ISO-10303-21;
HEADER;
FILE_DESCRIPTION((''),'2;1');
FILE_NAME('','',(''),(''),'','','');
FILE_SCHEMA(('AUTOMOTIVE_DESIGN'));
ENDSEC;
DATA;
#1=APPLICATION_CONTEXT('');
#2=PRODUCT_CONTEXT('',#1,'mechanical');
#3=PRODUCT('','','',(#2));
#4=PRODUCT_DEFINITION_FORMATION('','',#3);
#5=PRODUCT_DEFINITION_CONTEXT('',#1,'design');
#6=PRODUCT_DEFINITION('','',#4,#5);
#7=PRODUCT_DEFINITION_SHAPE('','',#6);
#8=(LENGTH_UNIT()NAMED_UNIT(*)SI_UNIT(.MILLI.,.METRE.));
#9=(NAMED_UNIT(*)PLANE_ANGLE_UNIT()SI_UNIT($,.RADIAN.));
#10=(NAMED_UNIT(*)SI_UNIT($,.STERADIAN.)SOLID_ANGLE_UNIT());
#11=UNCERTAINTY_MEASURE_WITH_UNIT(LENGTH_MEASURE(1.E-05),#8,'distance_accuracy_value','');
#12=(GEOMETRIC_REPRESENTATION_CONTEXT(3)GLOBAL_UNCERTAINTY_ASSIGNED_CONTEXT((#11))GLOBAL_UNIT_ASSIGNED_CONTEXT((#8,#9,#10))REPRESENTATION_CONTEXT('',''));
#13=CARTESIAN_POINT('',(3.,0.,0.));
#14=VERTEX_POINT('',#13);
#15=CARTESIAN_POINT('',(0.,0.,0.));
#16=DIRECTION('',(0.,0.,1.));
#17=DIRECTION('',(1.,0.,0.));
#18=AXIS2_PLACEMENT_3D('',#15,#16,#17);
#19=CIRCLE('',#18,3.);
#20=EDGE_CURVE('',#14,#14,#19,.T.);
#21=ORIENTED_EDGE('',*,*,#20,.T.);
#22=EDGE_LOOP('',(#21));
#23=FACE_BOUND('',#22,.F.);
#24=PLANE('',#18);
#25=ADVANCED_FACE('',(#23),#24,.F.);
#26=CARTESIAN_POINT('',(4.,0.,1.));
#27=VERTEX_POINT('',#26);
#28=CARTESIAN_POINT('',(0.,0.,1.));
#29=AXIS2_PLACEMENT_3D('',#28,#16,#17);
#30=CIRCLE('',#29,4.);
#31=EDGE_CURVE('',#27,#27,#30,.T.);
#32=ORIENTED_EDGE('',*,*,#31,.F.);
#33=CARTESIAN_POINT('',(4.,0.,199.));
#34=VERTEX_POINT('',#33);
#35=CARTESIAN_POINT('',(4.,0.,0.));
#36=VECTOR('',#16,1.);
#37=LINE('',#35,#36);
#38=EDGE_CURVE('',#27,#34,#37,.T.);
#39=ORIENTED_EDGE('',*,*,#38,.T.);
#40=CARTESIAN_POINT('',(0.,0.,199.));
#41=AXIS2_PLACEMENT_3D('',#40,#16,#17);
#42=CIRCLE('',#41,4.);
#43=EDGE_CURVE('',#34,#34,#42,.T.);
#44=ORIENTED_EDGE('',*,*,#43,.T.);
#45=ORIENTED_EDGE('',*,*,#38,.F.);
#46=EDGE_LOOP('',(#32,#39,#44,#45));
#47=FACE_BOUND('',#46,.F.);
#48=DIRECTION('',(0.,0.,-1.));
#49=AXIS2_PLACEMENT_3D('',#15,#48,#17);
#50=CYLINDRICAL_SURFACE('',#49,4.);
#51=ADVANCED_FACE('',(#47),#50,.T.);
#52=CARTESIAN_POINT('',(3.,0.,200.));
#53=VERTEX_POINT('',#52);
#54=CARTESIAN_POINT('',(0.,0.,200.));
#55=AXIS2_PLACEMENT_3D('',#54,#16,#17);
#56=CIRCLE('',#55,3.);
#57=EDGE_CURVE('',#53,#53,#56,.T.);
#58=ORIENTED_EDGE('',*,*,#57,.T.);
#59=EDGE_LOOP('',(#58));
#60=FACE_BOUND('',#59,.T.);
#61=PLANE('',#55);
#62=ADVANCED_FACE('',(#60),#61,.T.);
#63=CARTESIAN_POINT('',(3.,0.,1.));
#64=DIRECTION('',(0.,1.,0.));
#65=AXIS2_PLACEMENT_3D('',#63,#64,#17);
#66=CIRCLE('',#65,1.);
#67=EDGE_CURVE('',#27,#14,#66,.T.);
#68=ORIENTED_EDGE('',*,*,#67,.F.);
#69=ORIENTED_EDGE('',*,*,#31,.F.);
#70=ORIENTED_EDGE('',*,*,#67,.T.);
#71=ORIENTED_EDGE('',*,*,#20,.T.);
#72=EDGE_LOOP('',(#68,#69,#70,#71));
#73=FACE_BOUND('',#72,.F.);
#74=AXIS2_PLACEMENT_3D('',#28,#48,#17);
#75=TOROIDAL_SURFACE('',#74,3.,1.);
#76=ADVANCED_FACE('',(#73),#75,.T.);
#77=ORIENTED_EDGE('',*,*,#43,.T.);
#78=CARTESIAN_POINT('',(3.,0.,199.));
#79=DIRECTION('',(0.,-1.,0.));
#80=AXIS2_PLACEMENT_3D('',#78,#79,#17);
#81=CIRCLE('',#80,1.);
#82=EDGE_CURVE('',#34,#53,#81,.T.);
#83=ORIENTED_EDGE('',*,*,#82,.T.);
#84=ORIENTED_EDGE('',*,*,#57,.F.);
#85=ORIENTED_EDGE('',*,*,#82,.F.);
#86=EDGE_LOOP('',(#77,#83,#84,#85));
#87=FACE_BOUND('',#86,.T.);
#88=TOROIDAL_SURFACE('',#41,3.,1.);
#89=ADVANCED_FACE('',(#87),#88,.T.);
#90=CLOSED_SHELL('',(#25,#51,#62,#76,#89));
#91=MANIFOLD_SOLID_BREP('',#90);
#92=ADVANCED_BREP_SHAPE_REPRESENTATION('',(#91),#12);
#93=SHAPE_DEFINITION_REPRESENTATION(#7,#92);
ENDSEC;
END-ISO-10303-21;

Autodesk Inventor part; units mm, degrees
ref_plane "YZ Plane" through (0, 0, 0) normal (1, 0, 0) x (0, 1, 0)
ref_plane "XZ Plane" through (0, 0, 0) normal (0, 1, 0) x (-1, 0, 0)
ref_plane "XY Plane" through (0, 0, 0) normal (0, 0, 1) x (1, 0, 0)
sketch "Sketch1" plane through (0, 0, 0) normal (0, 0, 1) x (1, 0, 0)
  circle A0 centre (0, 0) radius 4
  dimension "d0" = 8
extrude "Extrusion1" add sketch "Sketch1" along normal blind 200
thread "Thread1" size "M8x1.25" class "6g" standard "ANSI Metric M Profile" full length
fillet "Fillet1" radius 1 2 edges at (-4, 0, 200) (-4, 0, 0)
properties part number "PS20011" material "Stainless Steel, Polished"
